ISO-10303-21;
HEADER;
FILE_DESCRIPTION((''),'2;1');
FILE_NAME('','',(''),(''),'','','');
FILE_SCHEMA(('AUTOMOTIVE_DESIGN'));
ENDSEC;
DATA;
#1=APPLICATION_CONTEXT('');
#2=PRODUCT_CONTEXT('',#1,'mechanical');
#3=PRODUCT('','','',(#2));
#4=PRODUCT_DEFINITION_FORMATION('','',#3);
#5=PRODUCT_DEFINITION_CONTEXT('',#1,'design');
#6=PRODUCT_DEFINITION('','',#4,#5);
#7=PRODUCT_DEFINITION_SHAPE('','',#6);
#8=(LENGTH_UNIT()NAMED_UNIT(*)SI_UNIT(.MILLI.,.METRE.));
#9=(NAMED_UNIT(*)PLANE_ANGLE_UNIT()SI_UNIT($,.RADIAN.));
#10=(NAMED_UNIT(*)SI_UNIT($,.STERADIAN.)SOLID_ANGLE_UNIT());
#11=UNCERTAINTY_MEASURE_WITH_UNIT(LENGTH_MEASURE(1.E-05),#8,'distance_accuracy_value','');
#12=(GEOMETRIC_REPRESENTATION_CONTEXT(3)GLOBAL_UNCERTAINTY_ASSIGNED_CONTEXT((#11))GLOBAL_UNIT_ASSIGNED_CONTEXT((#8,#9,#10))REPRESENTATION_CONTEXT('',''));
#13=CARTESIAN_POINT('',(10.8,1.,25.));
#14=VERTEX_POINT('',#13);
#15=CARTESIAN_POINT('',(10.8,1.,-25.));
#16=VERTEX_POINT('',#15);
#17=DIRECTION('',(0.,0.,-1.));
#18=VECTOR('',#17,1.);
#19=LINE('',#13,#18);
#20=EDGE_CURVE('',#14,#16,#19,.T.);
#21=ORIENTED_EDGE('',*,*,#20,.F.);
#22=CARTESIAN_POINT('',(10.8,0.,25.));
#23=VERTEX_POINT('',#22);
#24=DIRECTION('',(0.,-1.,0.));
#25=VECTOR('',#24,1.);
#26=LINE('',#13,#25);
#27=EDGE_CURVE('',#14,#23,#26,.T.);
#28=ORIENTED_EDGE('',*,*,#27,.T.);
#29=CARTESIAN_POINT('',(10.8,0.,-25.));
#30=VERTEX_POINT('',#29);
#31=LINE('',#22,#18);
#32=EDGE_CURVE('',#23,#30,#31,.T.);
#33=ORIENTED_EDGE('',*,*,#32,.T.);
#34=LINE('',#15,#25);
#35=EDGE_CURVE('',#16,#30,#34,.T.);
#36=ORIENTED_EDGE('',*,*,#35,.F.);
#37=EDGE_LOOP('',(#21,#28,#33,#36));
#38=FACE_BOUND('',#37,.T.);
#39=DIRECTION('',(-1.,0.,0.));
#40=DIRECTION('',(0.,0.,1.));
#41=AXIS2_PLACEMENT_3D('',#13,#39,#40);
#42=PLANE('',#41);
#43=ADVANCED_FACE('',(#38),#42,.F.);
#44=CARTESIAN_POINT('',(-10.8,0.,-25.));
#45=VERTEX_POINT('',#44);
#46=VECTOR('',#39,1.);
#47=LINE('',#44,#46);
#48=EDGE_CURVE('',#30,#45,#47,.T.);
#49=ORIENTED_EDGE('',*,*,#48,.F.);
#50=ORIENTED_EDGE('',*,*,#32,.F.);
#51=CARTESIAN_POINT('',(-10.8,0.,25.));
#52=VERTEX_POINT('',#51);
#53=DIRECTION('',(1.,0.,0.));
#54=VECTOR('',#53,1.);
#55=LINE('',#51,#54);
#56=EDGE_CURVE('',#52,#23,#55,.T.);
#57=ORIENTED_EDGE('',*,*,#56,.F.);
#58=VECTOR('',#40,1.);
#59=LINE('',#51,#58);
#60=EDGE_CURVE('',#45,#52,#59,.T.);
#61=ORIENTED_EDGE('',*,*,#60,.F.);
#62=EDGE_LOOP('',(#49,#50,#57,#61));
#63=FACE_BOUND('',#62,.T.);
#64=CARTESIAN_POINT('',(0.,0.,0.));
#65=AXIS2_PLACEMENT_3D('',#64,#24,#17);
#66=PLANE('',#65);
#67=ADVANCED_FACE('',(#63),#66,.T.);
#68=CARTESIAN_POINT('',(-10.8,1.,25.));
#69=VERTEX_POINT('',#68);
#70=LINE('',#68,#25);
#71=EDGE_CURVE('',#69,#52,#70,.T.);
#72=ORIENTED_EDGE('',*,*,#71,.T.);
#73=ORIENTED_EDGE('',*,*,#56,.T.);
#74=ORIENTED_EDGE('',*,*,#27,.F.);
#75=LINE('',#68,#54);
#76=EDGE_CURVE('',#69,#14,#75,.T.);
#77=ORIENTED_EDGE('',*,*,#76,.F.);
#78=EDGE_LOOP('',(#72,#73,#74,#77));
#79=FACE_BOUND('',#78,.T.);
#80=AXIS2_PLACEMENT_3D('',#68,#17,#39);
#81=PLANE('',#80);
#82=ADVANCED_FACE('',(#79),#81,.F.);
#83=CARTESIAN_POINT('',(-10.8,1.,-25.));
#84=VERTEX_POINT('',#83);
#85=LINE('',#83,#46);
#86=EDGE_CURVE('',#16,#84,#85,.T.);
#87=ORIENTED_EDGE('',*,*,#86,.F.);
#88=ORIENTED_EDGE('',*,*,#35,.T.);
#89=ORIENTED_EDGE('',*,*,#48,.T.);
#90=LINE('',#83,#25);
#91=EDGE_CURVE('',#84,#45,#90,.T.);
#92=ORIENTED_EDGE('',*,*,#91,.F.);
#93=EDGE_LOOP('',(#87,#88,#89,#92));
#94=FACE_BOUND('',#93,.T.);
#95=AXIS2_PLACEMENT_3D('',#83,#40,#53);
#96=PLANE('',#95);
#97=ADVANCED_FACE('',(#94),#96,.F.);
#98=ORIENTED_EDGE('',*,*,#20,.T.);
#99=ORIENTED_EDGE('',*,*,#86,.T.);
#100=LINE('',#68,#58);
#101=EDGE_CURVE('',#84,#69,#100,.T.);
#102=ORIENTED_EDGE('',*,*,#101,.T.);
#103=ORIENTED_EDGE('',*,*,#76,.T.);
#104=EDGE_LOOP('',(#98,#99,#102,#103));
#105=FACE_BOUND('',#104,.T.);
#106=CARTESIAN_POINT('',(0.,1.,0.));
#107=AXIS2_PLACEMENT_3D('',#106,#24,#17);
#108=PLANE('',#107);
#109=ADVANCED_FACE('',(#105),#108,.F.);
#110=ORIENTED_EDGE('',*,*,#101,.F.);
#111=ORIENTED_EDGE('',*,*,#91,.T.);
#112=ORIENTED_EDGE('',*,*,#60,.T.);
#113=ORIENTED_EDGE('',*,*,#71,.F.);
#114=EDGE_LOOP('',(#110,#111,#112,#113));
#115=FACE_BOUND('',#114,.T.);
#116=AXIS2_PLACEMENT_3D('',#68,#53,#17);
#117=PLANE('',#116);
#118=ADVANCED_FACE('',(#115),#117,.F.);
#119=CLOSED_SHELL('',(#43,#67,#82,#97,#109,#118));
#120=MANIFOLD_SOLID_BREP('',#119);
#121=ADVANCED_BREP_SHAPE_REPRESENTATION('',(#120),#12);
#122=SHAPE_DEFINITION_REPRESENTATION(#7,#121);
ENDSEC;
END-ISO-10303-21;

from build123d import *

# Parameters (mm, degrees)
ESBO_O1_W                = 21.6
ESBO_O1_H                = 50
RESSALTO_EXTRUS_O1_DEPTH = 1


with BuildPart() as part:
    # Esboço1 → Ressalto-extrusão1 (new body)
    with BuildSketch(Plane(origin=(0, 0, 0), x_dir=(1, 0, 0), z_dir=(0, 1, 0))):
        Rectangle(ESBO_O1_W, ESBO_O1_H)
    extrude(amount=RESSALTO_EXTRUS_O1_DEPTH)


solid = part.part
